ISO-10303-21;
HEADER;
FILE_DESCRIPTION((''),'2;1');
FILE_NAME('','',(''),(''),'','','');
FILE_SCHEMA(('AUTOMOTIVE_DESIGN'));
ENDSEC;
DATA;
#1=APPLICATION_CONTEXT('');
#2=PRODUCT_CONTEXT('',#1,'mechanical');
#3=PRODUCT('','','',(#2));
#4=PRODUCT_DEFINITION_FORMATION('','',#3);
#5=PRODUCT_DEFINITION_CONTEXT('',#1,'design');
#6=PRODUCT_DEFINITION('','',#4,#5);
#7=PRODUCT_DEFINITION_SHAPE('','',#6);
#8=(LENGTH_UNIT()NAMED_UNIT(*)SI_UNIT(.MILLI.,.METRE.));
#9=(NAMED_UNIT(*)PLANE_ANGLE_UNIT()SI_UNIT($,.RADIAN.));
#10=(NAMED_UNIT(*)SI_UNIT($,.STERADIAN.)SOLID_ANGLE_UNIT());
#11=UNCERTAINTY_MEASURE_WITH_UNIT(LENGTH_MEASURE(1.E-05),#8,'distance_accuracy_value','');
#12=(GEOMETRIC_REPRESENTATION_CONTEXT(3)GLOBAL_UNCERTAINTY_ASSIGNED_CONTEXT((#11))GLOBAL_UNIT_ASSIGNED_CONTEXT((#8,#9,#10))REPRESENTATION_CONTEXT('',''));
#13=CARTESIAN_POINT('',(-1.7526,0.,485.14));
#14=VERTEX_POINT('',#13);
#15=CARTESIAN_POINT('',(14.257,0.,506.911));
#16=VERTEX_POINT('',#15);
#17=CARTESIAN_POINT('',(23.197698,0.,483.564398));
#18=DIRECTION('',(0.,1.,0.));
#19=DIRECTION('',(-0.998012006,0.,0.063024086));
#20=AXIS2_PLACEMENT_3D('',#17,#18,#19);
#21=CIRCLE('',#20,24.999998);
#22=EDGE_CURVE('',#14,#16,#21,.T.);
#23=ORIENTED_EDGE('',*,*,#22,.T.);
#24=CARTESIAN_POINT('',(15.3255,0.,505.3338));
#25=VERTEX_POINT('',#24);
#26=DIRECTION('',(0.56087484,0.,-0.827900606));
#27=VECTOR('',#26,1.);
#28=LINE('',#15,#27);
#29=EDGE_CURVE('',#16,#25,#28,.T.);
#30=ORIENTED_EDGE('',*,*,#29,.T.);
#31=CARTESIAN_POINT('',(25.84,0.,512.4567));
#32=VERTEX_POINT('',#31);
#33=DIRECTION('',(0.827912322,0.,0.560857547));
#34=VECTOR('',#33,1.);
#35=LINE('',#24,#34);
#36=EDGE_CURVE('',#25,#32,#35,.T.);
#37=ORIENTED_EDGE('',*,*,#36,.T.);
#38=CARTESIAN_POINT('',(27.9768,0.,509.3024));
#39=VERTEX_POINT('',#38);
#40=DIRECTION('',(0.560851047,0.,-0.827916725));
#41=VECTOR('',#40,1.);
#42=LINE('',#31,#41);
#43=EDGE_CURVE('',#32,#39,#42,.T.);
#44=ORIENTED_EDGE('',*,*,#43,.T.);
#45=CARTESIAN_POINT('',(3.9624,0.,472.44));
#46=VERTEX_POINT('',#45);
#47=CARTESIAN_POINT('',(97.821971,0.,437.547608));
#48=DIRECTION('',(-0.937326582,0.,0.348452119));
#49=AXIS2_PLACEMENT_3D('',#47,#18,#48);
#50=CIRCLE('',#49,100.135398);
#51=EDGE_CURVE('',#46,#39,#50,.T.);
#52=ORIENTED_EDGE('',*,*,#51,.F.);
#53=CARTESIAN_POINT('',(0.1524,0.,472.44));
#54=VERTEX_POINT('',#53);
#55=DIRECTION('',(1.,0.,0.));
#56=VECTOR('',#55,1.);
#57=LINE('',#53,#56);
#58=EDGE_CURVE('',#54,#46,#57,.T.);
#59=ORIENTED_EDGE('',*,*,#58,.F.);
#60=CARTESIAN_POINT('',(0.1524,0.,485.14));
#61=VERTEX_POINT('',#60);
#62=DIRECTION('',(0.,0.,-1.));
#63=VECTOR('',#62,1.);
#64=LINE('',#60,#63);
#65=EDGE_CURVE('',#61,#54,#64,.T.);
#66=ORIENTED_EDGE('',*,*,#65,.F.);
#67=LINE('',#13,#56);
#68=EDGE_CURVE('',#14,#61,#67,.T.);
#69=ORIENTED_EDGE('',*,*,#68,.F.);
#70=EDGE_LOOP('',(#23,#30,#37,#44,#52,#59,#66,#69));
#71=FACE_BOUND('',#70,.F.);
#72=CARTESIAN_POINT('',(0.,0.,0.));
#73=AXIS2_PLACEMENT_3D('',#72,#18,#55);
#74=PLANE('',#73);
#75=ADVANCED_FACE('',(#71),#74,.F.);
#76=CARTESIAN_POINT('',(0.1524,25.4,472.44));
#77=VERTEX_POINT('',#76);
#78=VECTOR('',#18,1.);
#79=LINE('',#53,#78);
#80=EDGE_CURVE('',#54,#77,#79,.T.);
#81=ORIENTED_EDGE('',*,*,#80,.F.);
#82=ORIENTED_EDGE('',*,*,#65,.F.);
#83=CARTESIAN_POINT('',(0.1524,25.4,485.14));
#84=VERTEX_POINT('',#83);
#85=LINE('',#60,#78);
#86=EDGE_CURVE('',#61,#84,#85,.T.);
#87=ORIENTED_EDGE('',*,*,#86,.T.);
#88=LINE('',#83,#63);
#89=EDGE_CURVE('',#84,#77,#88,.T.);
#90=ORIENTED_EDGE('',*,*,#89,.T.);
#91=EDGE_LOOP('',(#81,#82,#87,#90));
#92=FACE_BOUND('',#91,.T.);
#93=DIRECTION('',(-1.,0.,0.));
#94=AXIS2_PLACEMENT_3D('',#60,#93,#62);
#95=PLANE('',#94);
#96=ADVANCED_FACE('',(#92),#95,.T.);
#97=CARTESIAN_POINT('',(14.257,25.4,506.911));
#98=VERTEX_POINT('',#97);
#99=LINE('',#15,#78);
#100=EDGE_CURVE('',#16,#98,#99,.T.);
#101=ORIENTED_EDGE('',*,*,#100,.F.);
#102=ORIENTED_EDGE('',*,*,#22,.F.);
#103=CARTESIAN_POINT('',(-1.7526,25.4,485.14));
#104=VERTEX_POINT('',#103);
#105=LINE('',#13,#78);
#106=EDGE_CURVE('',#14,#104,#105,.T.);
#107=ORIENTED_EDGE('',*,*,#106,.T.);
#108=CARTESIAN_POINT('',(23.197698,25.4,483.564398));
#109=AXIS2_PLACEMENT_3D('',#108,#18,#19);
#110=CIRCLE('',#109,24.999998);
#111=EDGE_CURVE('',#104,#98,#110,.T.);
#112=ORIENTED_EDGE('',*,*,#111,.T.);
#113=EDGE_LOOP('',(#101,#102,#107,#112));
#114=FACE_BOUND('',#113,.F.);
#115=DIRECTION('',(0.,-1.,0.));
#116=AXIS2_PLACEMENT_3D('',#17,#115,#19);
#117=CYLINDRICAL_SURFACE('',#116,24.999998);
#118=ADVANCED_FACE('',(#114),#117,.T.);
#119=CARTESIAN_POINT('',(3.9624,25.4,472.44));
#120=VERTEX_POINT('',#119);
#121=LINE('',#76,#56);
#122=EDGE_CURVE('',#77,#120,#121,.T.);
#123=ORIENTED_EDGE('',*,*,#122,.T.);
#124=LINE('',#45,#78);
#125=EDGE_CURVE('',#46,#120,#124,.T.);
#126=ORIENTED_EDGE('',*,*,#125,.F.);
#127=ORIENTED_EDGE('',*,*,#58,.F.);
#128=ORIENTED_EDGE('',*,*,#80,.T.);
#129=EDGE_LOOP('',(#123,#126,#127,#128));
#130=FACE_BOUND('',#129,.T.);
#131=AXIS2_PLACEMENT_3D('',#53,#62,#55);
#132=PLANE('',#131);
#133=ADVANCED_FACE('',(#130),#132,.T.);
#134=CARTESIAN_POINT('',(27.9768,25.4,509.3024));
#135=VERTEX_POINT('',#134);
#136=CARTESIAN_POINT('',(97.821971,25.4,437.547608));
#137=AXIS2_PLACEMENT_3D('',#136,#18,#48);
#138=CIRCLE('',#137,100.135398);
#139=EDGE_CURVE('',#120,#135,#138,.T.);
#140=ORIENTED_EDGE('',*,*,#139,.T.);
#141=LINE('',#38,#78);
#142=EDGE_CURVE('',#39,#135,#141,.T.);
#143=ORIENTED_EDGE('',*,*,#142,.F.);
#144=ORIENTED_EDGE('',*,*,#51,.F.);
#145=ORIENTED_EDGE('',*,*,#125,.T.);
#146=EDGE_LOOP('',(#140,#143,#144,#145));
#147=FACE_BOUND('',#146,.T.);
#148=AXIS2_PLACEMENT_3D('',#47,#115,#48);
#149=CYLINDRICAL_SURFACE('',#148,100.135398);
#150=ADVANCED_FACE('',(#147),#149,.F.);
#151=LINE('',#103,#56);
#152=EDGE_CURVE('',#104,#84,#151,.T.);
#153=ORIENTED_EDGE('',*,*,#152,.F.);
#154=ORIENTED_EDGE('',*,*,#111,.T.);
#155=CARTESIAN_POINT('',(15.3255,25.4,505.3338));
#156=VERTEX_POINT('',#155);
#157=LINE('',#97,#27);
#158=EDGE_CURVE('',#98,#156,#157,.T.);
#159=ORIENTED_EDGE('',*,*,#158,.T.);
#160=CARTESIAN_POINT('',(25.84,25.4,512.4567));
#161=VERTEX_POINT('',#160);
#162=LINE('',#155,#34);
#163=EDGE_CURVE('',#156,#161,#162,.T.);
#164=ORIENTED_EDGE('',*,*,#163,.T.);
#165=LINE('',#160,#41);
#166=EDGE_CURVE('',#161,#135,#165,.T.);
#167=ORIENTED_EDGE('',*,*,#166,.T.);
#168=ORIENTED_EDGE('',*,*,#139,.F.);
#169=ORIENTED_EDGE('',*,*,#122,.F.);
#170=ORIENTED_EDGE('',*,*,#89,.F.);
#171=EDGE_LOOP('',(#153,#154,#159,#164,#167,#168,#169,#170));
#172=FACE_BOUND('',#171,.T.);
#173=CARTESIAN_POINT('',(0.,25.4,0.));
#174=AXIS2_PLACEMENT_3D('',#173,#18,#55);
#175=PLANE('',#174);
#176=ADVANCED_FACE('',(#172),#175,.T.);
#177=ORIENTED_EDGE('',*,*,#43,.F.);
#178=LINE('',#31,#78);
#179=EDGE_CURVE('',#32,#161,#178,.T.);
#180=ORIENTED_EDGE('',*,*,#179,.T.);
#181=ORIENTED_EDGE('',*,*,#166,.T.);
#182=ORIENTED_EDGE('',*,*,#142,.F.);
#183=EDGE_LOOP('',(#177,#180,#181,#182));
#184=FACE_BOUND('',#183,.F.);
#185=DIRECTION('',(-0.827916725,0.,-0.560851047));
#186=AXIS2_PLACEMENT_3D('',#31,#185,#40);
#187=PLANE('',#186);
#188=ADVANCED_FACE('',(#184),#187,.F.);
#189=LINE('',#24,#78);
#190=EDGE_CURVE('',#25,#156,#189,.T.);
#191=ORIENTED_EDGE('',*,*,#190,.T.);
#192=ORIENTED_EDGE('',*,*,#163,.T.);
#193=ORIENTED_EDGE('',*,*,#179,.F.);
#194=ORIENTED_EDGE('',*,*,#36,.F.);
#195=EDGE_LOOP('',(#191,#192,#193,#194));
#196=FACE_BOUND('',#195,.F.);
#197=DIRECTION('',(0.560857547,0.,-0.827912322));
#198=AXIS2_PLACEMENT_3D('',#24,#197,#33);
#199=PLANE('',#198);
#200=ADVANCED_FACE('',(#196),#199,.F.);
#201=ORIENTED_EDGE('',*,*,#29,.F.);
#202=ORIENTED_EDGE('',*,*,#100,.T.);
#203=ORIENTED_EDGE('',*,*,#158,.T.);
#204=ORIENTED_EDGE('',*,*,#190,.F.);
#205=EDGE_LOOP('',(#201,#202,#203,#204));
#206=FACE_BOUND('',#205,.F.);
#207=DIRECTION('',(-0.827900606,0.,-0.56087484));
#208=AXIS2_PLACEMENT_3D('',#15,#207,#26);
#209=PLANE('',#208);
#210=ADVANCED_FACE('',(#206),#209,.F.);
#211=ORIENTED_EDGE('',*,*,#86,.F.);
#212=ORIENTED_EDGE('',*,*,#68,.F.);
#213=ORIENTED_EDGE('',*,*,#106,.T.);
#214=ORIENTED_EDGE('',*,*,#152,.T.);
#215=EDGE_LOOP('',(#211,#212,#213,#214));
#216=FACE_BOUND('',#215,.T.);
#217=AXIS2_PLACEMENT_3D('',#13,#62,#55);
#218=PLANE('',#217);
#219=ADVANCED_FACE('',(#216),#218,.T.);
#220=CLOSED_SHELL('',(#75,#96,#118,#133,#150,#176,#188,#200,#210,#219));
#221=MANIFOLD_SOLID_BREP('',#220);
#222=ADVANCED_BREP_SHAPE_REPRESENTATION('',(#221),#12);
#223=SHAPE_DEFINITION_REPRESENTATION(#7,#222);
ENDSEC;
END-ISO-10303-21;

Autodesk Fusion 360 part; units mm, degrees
sketch "Rear Most Corner" plane through (0, 0, 0) normal (0, 1, 0) x (1, 0, 0)
  circle A0 centre (23.1977, -483.5644) radius 25 construction
  line L0 (14.257, -506.911) -> (24.7715, -514.0339) construction
  line L1 (407.957, -773.6165) -> (14.257, -506.911) construction
  line L2 (-1.7526, -485.14) -> (-1.7526, -472.44) construction
  line L3 (24.7715, -514.0339) -> (14.257, -506.911) construction
  line L4 (14.257, -506.911) -> (15.3255, -505.3338)
  line L5 (15.3255, -505.3338) -> (25.84, -512.4567)
  line L6 (25.84, -512.4567) -> (24.7715, -514.0339) construction
  line L7 (-1.7526, -485.14) -> (0.1524, -485.14)
  line L8 (0.1524, -485.14) -> (0.1524, -472.44)
  line L9 (0.1524, -472.44) -> (-1.7526, -472.44) construction
  line L10 (-1.7526, -472.44) -> (-1.7526, -485.14) construction
  line L11 (-1.7526, -485.14) -> (0.1524, -485.14)
  line L12 (14.257, -506.911) -> (15.3255, -505.3338)
  arc A1 (-1.7526, -485.14) -> (14.257, -506.911) centre (23.1977, -483.5644) ccw
  line L13 (25.84, -512.4567) -> (27.9768, -509.3024)
  line L14 (0.1524, -472.44) -> (3.9624, -472.44)
  line L15 (3.0571, -498.3751) -> (23.1977, -483.5644) construction
  arc A2 (3.9624, -472.44) -> (27.9768, -509.3024) centre (97.8219, -437.5475) ccw
  point P0 (13.1274, -490.9697)
extrude "Extrude1" add sketch "Rear Most Corner" along normal blind 25.4
